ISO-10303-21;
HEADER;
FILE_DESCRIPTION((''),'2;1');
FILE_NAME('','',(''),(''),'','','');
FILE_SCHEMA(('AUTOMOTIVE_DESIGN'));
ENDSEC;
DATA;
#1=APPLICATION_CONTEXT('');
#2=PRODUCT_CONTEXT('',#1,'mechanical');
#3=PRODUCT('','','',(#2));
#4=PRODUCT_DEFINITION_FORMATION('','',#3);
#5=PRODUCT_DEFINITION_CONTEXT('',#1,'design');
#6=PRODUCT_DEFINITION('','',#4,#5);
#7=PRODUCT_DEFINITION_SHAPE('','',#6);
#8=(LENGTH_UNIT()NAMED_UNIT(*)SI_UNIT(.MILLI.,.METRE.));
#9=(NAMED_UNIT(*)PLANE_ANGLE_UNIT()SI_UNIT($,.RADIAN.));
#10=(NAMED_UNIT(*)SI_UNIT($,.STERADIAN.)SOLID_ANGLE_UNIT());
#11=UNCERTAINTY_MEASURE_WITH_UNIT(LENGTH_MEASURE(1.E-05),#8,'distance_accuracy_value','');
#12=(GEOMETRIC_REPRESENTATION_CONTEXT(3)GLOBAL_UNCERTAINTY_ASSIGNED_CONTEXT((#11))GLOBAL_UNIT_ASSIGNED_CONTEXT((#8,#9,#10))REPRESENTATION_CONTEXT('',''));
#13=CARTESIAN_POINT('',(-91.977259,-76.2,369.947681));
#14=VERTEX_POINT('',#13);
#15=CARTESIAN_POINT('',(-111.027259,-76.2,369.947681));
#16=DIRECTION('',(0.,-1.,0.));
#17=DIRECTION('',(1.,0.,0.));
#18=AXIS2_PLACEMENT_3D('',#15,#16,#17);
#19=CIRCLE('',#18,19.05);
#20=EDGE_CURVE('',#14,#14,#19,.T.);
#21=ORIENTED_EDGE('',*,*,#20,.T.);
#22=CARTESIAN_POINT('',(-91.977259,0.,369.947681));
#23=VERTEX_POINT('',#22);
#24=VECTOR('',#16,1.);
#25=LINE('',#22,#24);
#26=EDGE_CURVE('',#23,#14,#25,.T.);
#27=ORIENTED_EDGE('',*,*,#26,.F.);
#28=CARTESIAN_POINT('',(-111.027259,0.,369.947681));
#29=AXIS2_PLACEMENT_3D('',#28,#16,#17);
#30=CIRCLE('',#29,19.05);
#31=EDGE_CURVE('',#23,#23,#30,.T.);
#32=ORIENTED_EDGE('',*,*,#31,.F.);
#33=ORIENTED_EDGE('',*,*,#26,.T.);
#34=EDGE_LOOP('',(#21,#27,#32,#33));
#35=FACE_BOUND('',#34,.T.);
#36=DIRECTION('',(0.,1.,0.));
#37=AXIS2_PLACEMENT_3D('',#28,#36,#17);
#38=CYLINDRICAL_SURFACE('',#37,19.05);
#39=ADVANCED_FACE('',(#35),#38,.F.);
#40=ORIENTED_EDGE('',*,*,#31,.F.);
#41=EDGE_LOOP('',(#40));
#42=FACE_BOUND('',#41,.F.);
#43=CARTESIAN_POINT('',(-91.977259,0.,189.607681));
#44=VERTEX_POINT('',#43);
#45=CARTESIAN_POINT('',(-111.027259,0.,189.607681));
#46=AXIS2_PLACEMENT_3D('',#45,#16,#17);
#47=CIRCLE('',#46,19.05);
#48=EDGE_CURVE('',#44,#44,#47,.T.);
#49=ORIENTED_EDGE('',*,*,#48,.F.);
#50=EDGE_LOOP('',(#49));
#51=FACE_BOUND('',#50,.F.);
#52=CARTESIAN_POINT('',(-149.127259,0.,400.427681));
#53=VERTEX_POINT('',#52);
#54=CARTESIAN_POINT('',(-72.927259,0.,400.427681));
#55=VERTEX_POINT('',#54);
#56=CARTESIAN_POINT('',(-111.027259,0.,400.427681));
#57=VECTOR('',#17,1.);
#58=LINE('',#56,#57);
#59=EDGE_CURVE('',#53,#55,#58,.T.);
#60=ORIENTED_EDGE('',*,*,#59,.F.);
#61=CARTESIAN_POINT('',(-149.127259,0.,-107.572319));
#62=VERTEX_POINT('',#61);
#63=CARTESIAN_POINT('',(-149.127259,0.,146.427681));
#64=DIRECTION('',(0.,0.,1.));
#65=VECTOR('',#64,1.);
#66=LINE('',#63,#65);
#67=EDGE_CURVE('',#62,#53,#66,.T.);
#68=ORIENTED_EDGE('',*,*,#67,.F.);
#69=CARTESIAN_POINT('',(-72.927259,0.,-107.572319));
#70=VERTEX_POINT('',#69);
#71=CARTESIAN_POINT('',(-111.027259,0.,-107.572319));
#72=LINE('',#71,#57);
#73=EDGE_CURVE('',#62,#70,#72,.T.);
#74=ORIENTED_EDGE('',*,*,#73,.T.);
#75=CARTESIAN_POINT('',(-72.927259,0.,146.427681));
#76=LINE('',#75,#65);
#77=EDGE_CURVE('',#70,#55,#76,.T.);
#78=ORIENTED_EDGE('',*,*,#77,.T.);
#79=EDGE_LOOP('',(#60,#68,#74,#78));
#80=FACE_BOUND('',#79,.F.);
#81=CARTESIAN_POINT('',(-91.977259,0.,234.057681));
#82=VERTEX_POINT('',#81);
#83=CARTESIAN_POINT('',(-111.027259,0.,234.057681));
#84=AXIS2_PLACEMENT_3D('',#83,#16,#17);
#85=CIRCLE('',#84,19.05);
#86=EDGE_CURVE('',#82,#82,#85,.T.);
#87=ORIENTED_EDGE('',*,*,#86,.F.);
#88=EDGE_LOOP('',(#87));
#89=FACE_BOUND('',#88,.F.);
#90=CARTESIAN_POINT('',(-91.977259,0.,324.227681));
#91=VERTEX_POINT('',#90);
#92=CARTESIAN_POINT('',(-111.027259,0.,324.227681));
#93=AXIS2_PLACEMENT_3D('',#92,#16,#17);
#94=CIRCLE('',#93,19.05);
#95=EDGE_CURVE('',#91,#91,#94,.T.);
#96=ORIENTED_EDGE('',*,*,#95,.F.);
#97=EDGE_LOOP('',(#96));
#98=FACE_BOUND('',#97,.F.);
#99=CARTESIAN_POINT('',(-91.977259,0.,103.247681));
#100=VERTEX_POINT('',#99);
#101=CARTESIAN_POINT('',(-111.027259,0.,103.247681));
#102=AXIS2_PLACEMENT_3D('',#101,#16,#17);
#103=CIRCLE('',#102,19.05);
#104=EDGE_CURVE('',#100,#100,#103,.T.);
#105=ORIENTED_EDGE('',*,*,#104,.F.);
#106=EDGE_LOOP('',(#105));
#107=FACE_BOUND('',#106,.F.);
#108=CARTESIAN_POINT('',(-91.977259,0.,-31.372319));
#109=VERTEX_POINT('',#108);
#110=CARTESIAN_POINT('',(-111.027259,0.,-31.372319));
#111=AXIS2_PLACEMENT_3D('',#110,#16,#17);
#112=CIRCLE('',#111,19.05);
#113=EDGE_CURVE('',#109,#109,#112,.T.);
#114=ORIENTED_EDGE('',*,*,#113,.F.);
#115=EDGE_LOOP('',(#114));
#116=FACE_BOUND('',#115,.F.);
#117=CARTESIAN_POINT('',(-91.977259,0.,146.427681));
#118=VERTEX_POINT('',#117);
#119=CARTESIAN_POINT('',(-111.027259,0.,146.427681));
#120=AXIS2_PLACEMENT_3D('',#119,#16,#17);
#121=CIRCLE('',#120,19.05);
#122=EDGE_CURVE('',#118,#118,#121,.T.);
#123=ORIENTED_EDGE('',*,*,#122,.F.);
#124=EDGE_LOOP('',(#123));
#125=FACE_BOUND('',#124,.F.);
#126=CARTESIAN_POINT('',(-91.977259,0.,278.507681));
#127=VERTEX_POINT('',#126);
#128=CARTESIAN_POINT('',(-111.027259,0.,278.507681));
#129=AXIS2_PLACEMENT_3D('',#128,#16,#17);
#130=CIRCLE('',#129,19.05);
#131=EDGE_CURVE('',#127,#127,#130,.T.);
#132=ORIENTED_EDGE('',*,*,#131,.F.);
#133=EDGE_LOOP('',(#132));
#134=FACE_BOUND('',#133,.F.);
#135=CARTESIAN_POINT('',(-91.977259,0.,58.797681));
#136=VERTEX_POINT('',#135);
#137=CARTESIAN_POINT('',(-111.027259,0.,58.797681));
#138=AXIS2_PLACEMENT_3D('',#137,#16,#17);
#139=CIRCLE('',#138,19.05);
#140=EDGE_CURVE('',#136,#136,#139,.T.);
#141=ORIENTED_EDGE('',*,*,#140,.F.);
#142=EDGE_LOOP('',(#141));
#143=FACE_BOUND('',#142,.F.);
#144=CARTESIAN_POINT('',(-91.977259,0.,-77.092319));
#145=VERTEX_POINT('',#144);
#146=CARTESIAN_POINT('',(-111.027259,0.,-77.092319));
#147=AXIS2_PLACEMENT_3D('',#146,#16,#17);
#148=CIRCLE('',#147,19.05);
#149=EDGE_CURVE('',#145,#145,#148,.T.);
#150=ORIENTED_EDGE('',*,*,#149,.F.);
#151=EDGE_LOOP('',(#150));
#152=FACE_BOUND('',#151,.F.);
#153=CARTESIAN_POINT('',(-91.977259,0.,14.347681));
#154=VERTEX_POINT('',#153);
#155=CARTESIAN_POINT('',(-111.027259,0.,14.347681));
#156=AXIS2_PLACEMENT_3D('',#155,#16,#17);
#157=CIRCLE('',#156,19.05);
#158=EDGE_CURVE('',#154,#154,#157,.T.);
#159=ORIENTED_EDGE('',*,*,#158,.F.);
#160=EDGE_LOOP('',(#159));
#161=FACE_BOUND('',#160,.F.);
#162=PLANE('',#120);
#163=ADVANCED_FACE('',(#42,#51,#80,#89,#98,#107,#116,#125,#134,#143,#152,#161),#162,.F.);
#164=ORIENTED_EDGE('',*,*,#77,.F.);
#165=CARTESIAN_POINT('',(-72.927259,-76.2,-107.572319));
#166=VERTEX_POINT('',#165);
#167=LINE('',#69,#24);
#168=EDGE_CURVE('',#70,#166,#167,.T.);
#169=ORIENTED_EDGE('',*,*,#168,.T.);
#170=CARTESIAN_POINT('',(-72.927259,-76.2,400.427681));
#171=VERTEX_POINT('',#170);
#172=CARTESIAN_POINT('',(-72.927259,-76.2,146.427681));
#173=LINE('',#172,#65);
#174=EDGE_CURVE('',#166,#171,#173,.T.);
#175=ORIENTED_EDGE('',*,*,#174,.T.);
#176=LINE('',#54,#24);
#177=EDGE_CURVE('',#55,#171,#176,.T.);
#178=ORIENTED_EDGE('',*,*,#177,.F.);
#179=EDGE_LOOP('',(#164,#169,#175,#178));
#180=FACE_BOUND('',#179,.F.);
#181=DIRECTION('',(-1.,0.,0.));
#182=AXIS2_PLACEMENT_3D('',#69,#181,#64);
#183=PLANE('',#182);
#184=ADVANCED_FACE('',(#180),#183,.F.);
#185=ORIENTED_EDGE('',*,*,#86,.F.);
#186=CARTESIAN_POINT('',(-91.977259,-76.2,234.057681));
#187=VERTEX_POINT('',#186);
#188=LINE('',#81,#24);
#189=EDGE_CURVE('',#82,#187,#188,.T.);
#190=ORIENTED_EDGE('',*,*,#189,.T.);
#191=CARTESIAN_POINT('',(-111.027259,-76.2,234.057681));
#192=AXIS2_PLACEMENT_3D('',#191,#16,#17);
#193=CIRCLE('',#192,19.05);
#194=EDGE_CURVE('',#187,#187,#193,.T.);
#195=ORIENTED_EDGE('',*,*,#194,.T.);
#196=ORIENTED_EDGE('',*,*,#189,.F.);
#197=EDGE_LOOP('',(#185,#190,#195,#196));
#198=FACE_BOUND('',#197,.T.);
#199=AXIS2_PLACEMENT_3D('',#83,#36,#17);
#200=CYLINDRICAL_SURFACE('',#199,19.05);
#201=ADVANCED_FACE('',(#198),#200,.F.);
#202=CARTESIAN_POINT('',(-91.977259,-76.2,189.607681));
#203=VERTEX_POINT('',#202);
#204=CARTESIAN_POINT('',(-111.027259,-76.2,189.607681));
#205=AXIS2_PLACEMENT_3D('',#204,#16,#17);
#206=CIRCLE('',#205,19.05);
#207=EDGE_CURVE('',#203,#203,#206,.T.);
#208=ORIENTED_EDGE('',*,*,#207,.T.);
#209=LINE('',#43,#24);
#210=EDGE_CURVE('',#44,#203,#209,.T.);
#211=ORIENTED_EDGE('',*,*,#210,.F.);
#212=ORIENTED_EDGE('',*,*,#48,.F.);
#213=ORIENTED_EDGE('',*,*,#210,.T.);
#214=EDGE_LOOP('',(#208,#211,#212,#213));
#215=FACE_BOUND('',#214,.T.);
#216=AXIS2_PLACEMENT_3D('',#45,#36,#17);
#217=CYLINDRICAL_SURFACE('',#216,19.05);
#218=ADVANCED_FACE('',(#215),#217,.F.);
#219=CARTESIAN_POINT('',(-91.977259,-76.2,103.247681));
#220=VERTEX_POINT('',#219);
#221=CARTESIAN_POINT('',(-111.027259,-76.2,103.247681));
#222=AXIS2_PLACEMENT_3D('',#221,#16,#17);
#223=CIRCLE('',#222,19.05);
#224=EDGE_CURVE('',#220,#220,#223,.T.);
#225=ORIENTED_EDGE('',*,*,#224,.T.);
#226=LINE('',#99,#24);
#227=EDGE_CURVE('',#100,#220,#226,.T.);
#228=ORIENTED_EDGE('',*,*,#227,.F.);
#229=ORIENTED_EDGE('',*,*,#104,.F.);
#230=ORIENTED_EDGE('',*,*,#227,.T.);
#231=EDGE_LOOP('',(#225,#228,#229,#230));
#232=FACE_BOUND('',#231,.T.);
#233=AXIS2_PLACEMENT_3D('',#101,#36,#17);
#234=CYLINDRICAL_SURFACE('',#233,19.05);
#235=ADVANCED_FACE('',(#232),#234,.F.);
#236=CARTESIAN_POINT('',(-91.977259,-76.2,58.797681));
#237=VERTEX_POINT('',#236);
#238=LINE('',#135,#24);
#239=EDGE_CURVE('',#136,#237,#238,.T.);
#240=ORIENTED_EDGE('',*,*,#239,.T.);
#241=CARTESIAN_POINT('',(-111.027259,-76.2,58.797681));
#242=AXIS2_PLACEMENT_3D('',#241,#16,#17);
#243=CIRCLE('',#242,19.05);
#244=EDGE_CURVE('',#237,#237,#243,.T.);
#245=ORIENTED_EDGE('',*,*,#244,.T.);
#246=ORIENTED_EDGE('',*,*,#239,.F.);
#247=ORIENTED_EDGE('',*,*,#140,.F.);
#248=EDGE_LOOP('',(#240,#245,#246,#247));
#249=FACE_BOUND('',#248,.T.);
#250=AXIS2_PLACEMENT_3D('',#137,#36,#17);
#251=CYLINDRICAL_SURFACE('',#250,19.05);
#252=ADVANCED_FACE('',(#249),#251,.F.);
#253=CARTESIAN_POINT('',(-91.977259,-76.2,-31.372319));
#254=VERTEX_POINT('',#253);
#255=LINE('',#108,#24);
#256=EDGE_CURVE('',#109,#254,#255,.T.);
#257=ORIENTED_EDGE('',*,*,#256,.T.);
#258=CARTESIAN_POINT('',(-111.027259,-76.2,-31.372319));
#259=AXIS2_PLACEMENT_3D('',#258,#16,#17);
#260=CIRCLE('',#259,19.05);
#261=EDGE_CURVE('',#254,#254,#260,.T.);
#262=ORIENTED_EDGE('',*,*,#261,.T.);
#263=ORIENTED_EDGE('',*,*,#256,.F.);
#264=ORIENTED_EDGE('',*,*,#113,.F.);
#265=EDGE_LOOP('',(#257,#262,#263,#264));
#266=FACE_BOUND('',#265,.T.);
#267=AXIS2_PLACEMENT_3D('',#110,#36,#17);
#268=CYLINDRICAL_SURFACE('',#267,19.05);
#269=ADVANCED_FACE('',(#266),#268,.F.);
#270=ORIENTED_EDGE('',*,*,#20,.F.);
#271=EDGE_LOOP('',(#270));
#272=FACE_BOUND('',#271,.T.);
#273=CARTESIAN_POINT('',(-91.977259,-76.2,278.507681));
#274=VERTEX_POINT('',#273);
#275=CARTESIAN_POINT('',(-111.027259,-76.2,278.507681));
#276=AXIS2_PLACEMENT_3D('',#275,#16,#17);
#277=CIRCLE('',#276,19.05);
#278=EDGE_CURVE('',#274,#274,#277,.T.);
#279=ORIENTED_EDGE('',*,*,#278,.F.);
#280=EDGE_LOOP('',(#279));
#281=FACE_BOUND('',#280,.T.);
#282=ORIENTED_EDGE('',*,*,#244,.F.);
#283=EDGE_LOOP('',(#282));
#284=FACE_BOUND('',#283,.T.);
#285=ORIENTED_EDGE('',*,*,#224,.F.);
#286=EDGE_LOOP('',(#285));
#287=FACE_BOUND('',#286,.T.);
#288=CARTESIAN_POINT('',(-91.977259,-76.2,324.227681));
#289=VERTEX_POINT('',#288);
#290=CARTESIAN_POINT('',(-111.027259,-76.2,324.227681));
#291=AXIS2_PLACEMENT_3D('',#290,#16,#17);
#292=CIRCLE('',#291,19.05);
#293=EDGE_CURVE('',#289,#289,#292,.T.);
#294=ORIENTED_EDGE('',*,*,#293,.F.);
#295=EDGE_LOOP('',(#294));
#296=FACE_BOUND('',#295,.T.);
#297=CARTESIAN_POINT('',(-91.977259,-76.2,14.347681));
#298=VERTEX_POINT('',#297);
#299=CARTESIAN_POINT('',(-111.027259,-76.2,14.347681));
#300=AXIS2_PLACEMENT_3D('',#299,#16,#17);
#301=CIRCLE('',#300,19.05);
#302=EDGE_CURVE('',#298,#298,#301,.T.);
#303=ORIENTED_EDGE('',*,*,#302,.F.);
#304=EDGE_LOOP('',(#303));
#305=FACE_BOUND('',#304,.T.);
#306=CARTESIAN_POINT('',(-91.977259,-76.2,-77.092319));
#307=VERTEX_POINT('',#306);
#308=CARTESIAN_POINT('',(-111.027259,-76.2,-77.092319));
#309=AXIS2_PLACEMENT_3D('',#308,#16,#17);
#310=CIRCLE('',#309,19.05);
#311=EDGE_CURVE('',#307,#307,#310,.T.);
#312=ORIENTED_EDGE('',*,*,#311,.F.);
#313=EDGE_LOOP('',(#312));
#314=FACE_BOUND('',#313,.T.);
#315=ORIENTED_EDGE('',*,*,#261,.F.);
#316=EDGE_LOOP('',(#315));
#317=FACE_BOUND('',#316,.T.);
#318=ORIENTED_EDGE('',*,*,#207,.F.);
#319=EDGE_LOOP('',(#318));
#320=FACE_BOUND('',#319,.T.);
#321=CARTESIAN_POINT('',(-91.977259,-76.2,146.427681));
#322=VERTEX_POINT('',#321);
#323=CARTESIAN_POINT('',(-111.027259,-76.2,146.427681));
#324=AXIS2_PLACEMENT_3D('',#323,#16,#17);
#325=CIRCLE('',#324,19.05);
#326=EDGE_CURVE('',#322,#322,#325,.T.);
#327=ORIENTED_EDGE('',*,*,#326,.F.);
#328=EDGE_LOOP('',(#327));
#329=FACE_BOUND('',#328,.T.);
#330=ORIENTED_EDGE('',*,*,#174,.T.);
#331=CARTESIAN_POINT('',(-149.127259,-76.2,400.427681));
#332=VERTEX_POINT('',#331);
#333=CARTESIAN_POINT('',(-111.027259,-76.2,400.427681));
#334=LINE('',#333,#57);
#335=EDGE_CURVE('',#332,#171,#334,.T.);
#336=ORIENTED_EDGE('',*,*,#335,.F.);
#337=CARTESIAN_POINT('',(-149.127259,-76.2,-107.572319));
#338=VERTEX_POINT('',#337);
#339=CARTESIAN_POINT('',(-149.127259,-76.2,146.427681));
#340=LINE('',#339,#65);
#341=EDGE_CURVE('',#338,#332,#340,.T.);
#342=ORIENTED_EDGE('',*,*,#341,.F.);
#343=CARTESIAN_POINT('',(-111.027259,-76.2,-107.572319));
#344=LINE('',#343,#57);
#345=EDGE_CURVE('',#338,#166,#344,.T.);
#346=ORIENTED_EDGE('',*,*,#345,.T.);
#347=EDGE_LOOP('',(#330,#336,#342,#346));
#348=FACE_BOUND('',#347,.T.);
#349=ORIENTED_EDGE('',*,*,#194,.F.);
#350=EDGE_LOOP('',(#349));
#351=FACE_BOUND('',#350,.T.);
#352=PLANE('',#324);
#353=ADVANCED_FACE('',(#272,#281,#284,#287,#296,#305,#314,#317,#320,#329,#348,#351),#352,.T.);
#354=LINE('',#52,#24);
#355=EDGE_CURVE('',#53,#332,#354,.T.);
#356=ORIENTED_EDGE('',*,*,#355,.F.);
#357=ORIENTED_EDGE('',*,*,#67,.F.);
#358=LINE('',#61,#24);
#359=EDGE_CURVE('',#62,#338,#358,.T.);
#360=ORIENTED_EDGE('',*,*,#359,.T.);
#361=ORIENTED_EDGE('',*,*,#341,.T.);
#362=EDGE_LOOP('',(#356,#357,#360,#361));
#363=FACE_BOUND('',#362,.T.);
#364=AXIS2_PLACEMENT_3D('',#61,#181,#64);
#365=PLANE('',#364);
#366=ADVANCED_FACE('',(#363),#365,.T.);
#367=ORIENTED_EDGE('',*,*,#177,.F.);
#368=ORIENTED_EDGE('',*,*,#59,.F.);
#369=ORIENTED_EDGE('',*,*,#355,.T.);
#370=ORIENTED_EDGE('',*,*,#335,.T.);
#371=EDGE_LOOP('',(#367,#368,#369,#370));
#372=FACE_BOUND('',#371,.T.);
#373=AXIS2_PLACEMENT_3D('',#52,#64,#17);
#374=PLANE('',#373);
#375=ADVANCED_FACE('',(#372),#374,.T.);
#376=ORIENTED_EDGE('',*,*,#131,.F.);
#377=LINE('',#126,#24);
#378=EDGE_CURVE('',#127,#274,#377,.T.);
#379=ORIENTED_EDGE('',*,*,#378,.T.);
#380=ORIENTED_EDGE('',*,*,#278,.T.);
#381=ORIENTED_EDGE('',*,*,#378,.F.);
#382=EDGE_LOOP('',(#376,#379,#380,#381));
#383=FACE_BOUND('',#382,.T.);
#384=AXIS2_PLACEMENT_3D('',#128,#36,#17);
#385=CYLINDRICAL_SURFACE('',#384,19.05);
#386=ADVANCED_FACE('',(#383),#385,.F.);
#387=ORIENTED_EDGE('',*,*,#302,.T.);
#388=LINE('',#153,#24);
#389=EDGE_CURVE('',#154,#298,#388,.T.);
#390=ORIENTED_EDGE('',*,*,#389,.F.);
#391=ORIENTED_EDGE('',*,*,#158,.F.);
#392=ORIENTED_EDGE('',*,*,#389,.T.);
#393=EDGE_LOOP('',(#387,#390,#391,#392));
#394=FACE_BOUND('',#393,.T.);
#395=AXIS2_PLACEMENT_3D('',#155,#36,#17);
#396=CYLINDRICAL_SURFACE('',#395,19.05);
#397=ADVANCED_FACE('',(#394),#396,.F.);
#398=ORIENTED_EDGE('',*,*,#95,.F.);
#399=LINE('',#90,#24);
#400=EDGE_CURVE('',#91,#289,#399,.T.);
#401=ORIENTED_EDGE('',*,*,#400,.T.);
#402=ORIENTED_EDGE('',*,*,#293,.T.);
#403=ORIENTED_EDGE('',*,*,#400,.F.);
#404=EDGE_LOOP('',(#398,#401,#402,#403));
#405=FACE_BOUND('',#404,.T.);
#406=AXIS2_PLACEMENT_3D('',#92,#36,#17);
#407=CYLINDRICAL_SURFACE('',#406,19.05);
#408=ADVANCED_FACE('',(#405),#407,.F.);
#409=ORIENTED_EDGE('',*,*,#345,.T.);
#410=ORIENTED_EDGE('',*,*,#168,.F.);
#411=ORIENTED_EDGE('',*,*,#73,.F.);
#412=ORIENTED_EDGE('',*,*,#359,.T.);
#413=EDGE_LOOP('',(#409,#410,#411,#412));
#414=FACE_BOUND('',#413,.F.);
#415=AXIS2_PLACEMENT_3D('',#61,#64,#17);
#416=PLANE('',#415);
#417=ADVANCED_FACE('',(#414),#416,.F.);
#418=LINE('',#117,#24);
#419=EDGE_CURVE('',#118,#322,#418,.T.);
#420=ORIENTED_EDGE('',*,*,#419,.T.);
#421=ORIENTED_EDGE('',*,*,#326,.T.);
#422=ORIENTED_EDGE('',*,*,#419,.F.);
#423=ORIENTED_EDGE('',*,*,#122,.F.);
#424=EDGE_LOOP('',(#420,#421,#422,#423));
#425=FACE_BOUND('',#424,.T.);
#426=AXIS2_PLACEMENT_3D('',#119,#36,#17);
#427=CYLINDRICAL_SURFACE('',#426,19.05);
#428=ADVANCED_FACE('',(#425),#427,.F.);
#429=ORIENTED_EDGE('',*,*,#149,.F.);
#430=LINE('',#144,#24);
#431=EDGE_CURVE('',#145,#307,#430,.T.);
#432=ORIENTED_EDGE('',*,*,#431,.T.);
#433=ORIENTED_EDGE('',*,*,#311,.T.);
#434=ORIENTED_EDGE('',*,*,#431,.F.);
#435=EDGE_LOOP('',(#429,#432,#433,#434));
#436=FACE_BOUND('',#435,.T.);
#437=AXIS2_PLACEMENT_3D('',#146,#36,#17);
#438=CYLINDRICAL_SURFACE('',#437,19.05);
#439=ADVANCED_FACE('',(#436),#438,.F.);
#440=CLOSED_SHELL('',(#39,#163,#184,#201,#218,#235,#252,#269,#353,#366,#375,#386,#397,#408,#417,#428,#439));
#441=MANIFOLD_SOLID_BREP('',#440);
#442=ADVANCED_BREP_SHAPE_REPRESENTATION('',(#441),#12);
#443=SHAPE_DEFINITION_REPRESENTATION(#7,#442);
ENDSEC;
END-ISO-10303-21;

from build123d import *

# Parameters (mm, degrees)
F0_W     = 76.2
F0_H     = 508
F0_R     = 19.05
F1_DEPTH = 76.2


with BuildPart() as f1:
    # F0 (on Front) → F1 (new body)
    with BuildSketch(Plane.XZ):
        with Locations((-111.027259, 146.427681)):
            Rectangle(F0_W, F0_H)
        with Locations((-111.027259, -77.092319)):
            Circle(F0_R, mode=Mode.SUBTRACT)
        with Locations((-111.027259, -31.372319)):
            Circle(F0_R, mode=Mode.SUBTRACT)
        with Locations((-111.027259, 14.347681)):
            Circle(F0_R, mode=Mode.SUBTRACT)
        with Locations((-111.027259, 58.797681)):
            Circle(F0_R, mode=Mode.SUBTRACT)
        with Locations((-111.027259, 103.247681)):
            Circle(F0_R, mode=Mode.SUBTRACT)
        with Locations((-111.027259, 146.427681)):
            Circle(F0_R, mode=Mode.SUBTRACT)
        with Locations((-111.027259, 189.607681)):
            Circle(F0_R, mode=Mode.SUBTRACT)
        with Locations((-111.027259, 234.057681)):
            Circle(F0_R, mode=Mode.SUBTRACT)
        with Locations((-111.027259, 278.507681)):
            Circle(F0_R, mode=Mode.SUBTRACT)
        with Locations((-111.027259, 324.227681)):
            Circle(F0_R, mode=Mode.SUBTRACT)
        with Locations((-111.027259, 369.947681)):
            Circle(F0_R, mode=Mode.SUBTRACT)
    extrude(amount=F1_DEPTH)


solid = f1.part
